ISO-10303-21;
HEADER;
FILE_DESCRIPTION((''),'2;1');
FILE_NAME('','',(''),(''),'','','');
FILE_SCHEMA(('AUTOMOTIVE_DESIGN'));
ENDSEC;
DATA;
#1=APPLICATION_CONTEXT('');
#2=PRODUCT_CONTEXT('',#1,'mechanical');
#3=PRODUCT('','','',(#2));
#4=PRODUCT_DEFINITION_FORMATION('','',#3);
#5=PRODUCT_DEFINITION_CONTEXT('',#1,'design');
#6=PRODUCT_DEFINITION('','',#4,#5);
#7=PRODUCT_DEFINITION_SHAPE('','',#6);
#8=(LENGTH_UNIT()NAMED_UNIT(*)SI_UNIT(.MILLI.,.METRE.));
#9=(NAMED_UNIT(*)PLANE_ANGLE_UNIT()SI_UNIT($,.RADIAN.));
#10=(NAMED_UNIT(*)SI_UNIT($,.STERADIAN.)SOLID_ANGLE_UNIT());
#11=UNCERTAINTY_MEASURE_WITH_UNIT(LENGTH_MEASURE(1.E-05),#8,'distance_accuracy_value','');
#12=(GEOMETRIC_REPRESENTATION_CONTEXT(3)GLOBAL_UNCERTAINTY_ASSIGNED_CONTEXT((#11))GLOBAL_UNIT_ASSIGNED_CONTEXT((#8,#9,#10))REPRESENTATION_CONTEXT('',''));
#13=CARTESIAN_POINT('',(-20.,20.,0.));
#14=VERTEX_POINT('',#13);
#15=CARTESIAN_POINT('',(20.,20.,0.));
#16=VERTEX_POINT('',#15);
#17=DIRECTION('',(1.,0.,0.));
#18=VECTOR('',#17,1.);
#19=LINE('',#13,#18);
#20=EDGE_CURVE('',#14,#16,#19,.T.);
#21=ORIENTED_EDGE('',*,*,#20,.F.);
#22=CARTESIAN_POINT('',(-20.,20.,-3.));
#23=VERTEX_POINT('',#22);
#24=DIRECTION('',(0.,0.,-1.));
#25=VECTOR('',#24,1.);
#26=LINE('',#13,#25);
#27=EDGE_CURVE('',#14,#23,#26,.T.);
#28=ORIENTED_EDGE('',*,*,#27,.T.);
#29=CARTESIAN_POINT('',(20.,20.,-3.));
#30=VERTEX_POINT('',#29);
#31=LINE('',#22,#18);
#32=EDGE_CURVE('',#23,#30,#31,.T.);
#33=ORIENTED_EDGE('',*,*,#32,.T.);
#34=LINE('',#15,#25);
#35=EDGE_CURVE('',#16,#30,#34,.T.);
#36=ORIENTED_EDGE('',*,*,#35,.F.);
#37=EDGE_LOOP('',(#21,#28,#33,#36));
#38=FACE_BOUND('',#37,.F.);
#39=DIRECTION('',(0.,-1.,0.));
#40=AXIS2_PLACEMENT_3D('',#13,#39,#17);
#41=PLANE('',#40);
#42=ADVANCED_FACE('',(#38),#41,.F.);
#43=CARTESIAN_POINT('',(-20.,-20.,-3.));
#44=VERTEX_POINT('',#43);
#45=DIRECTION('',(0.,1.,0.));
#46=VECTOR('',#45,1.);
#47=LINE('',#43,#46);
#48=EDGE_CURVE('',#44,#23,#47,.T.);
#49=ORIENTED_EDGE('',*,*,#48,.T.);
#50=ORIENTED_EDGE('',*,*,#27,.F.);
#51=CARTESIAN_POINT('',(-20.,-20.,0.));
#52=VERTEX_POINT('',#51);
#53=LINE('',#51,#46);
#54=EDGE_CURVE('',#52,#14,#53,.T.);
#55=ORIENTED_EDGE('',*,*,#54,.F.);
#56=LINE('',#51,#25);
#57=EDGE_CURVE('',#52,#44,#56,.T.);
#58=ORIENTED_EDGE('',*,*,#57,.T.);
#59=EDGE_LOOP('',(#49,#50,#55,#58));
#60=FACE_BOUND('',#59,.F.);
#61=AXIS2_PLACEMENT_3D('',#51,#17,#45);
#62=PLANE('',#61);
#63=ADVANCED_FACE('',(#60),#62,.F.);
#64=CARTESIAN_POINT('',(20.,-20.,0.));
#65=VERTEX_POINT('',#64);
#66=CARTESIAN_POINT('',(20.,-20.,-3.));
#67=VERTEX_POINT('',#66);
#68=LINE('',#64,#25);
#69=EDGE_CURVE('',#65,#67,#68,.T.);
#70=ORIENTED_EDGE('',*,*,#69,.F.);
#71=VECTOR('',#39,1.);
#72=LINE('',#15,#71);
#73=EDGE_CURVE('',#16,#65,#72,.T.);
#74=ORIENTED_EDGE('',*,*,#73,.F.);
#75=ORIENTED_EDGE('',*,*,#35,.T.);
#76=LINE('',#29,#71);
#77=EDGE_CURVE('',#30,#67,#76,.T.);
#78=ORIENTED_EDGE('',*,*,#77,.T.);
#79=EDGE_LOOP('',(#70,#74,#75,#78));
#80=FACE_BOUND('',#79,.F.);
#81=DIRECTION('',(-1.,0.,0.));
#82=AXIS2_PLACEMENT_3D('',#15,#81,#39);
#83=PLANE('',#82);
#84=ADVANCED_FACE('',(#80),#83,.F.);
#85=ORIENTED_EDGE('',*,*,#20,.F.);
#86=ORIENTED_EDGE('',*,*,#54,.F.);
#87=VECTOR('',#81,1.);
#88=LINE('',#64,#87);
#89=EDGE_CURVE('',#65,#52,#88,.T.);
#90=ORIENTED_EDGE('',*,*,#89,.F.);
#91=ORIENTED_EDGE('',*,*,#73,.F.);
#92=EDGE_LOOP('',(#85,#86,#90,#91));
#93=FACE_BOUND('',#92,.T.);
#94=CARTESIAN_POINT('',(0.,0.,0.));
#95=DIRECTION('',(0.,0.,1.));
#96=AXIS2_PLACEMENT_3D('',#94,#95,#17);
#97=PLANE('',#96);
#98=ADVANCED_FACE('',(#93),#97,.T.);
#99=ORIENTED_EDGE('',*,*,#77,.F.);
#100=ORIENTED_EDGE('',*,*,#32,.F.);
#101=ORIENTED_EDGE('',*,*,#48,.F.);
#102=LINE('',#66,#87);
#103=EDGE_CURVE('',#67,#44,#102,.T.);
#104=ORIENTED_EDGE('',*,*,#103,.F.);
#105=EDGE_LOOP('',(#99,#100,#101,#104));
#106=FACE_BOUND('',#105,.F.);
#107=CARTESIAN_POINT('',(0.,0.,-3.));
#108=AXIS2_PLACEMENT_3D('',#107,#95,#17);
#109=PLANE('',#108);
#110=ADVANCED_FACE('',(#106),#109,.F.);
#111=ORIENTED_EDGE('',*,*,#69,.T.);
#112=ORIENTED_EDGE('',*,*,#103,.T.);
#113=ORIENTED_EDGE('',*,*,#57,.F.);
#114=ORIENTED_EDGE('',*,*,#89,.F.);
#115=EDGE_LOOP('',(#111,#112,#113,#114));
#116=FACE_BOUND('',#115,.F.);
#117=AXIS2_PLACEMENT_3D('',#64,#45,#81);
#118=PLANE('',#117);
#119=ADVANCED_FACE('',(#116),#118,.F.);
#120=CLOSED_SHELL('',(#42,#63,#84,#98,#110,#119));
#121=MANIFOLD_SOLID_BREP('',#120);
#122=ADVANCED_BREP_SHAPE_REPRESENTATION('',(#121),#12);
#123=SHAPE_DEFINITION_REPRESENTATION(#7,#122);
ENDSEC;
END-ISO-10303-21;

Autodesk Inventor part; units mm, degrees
ref_plane "YZ Plane" through (0, 0, 0) normal (1, 0, 0) x (0, 1, 0)
ref_plane "XZ Plane" through (0, 0, 0) normal (0, 1, 0) x (-1, 0, 0)
ref_plane "XY Plane" through (0, 0, 0) normal (0, 0, 1) x (1, 0, 0)
sketch "Skizze1" plane through (0, 0, 0) normal (0, 0, 1) x (1, 0, 0)
  line L0 (-20, 20) -> (20, 20)
  line L1 (20, 20) -> (20, -20)
  line L2 (20, -20) -> (-20, -20)
  line L3 (-20, -20) -> (-20, 20)
  point P0 (0, 0)
  point P1 (0, 20)
  point P2 (-20, 0)
  dimension "d1" = 40
  dimension "d2" = 40
extrude "Extrusion1" add sketch "Skizze1" against normal blind 3
properties part number "peltier"
